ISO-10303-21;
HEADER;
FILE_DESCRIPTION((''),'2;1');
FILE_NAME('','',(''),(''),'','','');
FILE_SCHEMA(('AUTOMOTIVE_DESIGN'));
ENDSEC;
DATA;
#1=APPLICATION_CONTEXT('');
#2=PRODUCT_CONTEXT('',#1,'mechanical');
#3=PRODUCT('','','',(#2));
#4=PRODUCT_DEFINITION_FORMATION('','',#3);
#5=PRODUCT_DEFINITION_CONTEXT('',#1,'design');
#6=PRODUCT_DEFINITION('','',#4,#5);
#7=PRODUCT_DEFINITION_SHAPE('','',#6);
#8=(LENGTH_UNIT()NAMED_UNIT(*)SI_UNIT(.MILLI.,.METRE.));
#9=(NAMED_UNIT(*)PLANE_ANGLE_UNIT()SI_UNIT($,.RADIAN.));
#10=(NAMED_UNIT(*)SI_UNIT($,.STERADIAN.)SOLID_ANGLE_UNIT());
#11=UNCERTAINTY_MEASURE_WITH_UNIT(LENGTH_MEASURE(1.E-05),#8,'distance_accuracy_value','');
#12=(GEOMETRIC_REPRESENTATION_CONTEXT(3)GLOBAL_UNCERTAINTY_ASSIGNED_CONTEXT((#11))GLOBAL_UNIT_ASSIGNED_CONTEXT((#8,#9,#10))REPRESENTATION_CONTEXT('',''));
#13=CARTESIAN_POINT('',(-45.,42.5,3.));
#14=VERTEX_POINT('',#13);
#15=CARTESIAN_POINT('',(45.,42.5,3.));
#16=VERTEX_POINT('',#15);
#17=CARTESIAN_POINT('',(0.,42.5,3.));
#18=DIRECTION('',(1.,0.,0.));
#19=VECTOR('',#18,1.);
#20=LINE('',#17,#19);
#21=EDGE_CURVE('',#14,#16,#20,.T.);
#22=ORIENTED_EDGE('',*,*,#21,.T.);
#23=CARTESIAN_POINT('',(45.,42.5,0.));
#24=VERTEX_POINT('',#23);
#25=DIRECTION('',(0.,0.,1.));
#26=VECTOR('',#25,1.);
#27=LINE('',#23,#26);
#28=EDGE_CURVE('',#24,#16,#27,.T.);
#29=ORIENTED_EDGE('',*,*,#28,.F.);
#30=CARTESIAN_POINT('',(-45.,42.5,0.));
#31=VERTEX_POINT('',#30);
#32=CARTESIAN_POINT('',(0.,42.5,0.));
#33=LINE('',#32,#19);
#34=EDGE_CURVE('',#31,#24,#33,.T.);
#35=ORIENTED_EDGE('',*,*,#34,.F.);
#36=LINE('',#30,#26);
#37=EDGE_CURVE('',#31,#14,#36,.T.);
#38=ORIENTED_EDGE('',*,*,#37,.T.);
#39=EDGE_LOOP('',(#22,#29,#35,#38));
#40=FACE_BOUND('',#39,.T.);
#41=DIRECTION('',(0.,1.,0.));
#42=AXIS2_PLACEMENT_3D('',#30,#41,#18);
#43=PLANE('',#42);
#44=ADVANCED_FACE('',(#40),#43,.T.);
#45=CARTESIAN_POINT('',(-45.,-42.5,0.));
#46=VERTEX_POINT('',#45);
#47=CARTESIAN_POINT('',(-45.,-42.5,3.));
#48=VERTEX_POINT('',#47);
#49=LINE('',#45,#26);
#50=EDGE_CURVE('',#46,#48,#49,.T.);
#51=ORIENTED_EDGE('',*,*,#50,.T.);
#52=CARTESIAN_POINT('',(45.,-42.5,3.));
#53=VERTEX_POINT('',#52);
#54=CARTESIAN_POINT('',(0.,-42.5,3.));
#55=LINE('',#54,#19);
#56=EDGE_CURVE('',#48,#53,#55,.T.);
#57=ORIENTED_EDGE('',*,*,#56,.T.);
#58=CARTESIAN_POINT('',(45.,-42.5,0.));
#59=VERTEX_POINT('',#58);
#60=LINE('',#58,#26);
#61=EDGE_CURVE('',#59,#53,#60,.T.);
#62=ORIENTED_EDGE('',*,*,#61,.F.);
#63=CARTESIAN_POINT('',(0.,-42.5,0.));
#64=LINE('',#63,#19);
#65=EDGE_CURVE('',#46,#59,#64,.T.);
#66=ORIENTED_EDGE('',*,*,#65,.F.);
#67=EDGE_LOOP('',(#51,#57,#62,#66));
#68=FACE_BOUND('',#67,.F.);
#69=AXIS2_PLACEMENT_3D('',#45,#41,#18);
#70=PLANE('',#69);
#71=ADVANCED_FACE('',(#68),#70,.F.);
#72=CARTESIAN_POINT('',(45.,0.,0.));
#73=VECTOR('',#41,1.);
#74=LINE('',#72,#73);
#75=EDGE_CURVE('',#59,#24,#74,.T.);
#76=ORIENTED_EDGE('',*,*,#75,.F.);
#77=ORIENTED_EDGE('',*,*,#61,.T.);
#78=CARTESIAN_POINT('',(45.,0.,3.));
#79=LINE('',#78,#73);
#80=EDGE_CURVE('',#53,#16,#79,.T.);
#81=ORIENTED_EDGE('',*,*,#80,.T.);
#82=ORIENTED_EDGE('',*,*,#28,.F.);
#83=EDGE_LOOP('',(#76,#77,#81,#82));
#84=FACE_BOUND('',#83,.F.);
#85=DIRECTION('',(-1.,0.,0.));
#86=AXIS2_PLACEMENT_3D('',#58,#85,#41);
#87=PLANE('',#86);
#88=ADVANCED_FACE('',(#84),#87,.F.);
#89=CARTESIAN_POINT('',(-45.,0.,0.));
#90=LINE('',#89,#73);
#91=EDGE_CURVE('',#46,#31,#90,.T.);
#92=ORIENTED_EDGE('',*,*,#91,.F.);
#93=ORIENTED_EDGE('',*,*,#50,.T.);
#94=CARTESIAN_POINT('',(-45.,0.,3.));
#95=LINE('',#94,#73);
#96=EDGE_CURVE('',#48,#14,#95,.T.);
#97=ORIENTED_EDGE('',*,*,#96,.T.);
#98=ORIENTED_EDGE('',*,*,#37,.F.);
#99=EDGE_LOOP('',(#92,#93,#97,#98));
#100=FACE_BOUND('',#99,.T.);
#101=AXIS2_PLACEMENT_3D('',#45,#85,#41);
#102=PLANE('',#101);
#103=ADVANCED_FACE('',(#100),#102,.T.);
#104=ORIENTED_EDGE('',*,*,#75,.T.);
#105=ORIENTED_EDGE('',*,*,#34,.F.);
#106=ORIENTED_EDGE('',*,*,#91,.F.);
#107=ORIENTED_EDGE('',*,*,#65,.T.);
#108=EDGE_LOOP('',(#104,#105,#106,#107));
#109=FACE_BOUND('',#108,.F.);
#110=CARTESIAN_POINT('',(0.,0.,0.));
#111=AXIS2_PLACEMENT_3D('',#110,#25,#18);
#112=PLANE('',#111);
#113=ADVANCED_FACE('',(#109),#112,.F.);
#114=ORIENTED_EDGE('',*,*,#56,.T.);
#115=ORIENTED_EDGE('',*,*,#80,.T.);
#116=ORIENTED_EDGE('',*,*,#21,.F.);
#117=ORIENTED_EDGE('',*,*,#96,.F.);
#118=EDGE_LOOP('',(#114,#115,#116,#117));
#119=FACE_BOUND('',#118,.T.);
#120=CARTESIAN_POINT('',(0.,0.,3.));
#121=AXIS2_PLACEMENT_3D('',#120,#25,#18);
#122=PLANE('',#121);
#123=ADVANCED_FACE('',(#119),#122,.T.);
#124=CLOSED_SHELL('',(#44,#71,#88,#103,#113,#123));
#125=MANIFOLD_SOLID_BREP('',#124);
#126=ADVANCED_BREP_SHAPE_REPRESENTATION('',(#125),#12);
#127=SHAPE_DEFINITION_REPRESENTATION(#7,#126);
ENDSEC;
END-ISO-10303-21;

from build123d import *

# Parameters (mm, degrees)
SKETCH_W  = 90
SKETCH_H  = 85
PAD_DEPTH = 3


with BuildPart() as part:
    # Sketch → Pad (new body)
    with BuildSketch(Plane.XY):
        Rectangle(SKETCH_W, SKETCH_H)
    extrude(amount=PAD_DEPTH)


solid = part.part
